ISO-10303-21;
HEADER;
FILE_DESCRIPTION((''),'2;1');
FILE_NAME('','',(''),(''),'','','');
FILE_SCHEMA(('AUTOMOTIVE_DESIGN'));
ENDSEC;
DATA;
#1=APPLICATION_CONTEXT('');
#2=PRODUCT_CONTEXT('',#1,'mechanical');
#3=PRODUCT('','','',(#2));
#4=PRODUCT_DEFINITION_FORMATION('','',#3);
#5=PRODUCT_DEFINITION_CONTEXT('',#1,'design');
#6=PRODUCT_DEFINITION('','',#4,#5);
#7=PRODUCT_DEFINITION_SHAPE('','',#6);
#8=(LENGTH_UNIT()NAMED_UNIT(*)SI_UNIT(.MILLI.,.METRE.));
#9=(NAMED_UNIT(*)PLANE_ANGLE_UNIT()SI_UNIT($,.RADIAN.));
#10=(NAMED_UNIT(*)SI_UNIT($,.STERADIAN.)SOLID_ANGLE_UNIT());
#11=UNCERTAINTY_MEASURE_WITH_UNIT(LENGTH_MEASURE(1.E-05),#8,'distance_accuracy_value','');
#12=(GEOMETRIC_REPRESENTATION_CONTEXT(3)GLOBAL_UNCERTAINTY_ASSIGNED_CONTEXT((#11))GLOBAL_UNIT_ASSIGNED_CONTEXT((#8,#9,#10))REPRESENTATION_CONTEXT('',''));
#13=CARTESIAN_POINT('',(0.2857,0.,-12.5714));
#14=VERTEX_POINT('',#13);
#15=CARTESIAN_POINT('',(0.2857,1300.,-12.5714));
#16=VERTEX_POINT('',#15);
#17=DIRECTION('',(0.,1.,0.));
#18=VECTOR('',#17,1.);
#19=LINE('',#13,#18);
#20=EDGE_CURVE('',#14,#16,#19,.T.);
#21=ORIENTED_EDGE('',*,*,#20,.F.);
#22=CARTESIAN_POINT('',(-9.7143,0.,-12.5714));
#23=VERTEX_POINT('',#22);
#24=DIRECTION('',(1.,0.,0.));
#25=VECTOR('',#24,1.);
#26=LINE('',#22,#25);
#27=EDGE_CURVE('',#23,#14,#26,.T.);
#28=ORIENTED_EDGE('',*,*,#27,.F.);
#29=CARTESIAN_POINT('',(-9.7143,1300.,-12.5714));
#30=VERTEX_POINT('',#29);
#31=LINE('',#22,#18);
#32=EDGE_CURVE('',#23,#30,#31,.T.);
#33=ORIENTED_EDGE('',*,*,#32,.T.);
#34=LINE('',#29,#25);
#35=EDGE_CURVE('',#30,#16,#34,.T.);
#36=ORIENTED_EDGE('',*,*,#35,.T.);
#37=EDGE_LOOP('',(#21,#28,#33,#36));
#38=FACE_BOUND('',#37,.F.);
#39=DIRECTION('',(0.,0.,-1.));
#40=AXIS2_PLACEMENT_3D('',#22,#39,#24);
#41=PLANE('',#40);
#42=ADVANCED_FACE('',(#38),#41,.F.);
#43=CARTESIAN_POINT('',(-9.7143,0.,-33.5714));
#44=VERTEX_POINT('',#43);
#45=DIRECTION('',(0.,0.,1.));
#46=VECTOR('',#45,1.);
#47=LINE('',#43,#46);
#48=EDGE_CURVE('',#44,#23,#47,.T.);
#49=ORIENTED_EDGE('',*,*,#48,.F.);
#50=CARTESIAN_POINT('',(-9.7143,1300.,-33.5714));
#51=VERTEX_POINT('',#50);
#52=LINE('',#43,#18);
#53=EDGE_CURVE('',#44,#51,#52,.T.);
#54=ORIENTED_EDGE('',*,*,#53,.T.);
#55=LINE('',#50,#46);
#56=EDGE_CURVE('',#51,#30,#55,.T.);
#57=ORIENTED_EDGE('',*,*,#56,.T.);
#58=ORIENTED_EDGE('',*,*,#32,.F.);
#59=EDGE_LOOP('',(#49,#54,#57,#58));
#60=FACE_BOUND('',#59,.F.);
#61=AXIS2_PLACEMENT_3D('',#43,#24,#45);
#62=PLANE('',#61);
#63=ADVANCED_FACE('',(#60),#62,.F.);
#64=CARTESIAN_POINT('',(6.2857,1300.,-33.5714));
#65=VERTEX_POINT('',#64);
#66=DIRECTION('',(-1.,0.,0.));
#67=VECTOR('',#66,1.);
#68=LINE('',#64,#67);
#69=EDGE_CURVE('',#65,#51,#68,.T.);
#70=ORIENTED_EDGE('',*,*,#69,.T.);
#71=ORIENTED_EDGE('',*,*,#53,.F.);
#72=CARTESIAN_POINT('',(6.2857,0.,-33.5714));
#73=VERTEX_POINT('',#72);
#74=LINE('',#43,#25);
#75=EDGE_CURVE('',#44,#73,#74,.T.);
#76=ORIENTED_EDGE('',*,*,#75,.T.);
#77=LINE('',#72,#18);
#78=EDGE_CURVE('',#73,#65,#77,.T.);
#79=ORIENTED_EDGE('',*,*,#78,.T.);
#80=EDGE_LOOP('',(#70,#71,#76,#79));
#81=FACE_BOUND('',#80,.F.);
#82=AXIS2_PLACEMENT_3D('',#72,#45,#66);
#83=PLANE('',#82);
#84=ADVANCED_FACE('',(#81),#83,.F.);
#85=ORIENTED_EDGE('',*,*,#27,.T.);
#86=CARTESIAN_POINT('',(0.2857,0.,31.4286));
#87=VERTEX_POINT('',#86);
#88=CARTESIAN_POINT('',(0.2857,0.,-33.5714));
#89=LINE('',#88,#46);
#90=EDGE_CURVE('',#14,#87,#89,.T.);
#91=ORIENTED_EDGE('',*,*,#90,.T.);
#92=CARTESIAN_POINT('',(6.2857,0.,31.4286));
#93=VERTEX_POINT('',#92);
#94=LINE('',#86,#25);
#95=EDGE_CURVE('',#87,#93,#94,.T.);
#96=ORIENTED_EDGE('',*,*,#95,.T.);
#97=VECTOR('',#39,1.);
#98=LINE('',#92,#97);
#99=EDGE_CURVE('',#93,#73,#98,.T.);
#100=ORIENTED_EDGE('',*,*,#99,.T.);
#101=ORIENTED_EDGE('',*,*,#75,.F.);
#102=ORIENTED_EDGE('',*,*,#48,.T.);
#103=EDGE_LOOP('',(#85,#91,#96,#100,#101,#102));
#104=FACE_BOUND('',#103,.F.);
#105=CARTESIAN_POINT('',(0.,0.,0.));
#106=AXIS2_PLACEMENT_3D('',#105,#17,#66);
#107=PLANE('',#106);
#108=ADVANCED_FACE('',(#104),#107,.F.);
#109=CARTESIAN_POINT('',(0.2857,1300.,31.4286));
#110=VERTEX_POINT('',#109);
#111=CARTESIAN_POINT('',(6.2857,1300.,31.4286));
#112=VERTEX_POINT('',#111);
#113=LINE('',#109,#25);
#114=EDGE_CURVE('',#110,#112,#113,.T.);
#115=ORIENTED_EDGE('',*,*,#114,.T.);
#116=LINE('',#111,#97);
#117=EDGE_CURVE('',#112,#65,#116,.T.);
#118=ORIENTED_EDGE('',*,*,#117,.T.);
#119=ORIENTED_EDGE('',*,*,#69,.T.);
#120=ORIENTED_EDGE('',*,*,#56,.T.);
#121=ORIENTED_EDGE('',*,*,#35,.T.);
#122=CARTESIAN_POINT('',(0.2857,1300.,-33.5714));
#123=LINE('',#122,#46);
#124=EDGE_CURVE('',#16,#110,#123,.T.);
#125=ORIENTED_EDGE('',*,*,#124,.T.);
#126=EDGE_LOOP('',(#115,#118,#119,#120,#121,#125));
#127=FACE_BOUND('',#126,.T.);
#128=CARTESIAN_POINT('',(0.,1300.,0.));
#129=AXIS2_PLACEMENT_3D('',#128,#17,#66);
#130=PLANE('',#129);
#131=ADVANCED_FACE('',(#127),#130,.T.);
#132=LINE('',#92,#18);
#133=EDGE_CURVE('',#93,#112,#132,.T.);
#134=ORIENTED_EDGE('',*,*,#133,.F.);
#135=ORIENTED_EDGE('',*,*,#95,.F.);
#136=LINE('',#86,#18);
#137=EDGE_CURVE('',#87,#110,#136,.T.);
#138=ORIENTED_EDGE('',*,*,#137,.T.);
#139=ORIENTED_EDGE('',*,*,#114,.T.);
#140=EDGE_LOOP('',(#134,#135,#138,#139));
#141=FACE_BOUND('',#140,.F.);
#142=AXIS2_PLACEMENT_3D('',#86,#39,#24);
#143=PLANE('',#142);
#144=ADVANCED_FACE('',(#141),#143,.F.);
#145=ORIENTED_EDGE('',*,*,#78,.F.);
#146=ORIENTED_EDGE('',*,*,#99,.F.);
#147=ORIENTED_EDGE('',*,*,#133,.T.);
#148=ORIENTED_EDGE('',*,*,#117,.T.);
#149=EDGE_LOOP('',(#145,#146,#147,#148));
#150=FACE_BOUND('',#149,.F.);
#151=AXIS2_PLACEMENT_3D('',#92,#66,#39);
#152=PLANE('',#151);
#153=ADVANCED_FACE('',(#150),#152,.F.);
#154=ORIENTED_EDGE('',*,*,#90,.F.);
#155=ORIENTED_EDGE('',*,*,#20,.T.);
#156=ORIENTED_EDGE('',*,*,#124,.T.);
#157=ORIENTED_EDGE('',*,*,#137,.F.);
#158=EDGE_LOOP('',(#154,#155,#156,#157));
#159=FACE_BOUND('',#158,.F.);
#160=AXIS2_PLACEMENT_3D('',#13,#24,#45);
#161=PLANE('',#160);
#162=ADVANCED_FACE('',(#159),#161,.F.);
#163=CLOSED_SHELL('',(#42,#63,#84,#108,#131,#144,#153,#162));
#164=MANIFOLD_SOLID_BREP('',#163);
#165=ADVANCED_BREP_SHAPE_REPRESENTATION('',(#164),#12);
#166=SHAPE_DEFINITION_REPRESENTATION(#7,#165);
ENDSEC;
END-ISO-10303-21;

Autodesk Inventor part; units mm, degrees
ref_plane "YZ Plane" through (0, 0, 0) normal (1, 0, 0) x (0, 1, 0)
ref_plane "XZ Plane" through (0, 0, 0) normal (0, 1, 0) x (-1, 0, 0)
ref_plane "XY Plane" through (0, 0, 0) normal (0, 0, 1) x (1, 0, 0)
sketch "Sketch1" plane through (0, 0, 0) normal (0, 1, 0) x (-1, 0, 0)
  point P0 (0, 0)
sketch "Sketch2" plane through (0, 0, 0) normal (0, 1, 0) x (-1, 0, 0)
  line L0 (-0.2857, 31.4286) -> (-6.2857, 31.4286)
  line L1 (-6.2857, 31.4286) -> (-6.2857, -33.5714)
  line L2 (-6.2857, -33.5714) -> (-0.2857, -33.5714)
  line L3 (-0.2857, -33.5714) -> (-0.2857, 31.4286)
  line L4 (9.7143, -12.5714) -> (-0.2857, -12.5714)
  line L5 (-0.2857, -12.5714) -> (-0.2857, -33.5714)
  line L6 (-0.2857, -33.5714) -> (9.7143, -33.5714)
  line L7 (9.7143, -33.5714) -> (9.7143, -12.5714)
  point P0 (0, 0)
  point P1 (-0.2857, -12.5714)
  dimension "d0" = 44
  dimension "d1" = 6
  dimension "d2" = 10
  dimension "d3" = 65
extrude "Extrusion1" add sketch "Sketch2" along normal blind 1300
properties part number "UgolUkrep" material "Aluminum 6061"
